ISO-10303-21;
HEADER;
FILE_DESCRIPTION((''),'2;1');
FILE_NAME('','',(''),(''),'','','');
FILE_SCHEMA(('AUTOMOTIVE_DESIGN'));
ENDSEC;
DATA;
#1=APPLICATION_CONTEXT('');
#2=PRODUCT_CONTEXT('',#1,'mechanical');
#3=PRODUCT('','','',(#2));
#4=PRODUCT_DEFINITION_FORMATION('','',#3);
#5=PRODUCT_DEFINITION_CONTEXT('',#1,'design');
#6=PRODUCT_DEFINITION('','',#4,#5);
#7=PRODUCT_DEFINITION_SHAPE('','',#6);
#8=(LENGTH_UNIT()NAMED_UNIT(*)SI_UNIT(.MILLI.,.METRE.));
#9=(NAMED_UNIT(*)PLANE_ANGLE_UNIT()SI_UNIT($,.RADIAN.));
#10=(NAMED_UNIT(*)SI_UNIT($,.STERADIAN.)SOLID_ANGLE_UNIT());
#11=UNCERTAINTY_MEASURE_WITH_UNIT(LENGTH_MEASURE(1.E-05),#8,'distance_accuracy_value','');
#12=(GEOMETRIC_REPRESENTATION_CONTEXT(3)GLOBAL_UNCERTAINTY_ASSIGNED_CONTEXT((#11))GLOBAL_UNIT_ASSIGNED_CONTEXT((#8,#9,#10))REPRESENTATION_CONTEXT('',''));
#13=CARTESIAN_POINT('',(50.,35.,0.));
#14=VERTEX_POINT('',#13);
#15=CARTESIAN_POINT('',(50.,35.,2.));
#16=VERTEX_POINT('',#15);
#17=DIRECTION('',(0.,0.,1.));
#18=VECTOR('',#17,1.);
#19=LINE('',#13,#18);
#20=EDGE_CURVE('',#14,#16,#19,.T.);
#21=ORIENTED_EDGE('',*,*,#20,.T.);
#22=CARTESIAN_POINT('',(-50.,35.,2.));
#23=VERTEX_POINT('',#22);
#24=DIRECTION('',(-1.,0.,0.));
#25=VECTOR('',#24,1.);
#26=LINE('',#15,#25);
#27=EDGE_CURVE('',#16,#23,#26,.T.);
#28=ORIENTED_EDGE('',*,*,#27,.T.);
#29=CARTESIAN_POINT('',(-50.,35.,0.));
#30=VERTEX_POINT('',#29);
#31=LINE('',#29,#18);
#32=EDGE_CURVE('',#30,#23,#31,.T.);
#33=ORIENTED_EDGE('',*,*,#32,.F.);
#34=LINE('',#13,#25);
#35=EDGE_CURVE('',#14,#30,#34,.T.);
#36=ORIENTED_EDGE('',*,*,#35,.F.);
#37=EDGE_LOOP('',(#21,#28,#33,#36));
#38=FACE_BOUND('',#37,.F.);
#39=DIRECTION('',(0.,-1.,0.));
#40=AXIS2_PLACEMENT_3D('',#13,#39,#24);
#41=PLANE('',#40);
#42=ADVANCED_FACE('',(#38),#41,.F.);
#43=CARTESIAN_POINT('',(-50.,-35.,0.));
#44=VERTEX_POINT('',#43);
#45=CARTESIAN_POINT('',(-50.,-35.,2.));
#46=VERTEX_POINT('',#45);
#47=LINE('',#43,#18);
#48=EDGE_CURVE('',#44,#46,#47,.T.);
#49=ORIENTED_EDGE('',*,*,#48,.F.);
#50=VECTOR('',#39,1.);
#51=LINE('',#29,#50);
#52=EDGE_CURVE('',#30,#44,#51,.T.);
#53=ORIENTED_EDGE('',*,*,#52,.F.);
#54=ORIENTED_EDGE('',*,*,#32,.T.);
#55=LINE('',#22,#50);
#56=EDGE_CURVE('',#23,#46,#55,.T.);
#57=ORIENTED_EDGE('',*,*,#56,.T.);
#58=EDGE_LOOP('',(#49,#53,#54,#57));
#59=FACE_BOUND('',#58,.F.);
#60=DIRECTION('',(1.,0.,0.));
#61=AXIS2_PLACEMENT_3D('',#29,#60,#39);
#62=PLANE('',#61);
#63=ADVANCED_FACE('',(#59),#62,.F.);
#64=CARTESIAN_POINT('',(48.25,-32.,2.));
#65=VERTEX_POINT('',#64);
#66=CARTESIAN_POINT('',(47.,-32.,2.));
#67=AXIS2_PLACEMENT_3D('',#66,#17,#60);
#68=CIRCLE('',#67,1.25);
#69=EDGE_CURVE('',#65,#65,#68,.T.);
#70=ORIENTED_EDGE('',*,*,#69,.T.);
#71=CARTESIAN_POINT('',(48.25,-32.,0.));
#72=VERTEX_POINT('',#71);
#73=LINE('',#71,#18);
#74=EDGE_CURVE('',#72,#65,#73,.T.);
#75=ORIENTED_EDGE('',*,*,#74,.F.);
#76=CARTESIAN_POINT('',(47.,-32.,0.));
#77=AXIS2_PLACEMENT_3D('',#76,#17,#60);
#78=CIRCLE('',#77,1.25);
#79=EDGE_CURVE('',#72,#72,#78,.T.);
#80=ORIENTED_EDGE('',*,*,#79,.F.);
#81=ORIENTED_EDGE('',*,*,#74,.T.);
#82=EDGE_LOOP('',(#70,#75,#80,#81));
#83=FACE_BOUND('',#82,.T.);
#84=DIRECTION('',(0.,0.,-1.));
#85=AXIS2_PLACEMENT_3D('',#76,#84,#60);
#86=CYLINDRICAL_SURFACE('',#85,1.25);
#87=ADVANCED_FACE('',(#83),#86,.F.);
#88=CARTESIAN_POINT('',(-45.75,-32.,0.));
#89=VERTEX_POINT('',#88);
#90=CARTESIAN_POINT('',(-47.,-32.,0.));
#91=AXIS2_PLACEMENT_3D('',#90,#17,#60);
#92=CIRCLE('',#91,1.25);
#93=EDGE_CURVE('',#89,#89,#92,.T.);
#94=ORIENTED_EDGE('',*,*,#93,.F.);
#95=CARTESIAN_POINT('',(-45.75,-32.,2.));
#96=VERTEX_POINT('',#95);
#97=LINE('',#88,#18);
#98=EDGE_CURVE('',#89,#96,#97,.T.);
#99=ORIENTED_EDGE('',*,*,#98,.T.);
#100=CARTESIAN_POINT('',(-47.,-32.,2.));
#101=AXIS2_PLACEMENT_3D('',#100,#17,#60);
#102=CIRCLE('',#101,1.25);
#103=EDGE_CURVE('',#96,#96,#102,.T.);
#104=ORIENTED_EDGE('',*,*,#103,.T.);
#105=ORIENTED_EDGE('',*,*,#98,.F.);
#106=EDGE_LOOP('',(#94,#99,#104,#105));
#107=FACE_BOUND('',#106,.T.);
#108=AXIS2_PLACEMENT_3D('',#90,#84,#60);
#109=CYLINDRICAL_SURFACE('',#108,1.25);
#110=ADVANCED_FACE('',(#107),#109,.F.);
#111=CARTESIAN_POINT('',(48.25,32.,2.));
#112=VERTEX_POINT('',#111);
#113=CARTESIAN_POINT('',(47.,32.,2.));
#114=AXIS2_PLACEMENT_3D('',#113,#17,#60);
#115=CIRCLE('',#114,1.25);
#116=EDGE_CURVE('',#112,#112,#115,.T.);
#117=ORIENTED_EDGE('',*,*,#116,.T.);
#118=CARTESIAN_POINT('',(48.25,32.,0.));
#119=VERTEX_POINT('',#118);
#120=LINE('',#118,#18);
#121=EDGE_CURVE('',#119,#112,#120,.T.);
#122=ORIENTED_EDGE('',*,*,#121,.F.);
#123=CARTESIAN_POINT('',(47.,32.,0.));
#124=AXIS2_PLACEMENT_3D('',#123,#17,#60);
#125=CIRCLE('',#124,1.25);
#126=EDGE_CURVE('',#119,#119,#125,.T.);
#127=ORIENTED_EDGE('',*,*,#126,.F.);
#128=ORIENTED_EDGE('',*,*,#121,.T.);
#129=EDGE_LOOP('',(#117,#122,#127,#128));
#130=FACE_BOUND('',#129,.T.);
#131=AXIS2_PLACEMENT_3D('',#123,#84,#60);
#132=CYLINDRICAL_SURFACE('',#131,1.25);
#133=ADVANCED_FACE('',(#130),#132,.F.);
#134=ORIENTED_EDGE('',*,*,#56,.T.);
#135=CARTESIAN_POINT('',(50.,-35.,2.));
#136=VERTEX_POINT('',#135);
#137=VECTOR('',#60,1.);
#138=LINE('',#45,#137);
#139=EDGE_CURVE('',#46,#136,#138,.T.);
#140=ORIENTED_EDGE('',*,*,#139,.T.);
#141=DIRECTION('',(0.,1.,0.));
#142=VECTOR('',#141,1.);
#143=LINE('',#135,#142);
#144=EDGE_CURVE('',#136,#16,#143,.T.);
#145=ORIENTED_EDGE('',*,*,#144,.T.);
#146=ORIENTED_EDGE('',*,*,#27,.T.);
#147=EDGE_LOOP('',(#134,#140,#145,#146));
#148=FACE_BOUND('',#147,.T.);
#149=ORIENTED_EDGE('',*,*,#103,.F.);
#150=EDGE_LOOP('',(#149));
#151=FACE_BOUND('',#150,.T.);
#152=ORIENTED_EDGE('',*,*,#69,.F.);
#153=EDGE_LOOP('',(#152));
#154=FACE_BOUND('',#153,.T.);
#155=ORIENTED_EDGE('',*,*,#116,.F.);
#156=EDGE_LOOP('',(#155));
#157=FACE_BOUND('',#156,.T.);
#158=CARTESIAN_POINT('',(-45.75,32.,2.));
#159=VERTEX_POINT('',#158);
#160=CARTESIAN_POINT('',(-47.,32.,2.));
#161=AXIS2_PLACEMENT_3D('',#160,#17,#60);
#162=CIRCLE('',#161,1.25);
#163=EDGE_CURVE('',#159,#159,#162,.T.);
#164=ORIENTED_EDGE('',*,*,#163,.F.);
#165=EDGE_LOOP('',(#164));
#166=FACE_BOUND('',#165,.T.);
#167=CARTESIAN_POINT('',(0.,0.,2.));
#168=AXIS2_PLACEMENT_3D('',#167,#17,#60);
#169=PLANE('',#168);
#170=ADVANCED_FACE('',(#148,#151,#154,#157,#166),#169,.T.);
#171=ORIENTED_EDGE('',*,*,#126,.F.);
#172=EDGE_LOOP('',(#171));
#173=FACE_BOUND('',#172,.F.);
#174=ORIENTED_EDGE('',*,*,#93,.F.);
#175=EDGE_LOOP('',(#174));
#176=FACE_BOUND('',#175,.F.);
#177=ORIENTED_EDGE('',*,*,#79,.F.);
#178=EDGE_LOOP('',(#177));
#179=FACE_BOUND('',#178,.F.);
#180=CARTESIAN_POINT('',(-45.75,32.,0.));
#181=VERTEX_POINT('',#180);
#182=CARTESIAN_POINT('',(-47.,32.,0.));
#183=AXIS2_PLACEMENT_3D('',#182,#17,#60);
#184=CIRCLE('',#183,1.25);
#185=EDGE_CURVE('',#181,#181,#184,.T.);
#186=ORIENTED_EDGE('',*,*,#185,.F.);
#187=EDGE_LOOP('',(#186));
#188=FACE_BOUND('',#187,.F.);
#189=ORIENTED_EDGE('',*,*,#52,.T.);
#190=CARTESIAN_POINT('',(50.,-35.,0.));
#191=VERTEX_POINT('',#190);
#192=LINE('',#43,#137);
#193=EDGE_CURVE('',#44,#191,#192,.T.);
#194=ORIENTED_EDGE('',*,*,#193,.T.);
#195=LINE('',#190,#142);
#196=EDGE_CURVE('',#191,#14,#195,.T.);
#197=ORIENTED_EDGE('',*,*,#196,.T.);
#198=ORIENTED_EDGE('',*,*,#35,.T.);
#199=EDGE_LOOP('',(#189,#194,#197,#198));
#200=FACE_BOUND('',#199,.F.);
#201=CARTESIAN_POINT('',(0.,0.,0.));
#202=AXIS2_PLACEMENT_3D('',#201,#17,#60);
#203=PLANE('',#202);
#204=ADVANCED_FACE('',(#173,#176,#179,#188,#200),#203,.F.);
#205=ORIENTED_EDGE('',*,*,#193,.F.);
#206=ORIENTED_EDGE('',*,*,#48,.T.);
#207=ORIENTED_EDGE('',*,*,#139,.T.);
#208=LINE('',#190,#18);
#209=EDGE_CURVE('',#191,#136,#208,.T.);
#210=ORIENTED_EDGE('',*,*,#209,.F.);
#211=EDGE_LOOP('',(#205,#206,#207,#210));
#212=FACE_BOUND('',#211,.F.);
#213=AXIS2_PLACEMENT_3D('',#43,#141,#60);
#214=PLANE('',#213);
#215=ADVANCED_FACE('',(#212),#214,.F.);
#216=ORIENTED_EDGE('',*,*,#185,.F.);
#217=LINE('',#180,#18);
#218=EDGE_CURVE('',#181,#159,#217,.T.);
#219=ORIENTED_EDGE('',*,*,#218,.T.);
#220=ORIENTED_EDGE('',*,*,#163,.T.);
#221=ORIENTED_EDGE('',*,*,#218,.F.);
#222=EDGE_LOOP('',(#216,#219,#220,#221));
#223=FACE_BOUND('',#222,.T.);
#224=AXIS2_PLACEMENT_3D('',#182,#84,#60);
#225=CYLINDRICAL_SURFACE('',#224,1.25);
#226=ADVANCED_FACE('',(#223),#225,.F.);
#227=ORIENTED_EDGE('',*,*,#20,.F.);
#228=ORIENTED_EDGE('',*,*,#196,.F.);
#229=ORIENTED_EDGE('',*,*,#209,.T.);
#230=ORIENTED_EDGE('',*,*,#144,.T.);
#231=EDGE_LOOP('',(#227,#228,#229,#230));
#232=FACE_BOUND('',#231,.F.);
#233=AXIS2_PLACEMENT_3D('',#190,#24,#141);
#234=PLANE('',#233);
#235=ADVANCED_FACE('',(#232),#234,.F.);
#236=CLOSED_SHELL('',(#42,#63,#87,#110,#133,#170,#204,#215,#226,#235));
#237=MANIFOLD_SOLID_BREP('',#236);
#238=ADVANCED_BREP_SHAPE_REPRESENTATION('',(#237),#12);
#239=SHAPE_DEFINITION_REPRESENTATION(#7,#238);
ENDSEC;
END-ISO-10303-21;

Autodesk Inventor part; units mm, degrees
ref_plane "YZ Plane" through (0, 0, 0) normal (1, 0, 0) x (0, 1, 0)
ref_plane "XZ Plane" through (0, 0, 0) normal (0, 1, 0) x (-1, 0, 0)
ref_plane "XY Plane" through (0, 0, 0) normal (0, 0, 1) x (1, 0, 0)
sketch "Sketch1" plane through (0, 0, 0) normal (0, 0, 1) x (1, 0, 0)
  line L0 (-50, -35) -> (50, -35)
  line L1 (50, -35) -> (50, 35)
  line L2 (50, 35) -> (-50, 35)
  line L3 (-50, 35) -> (-50, -35)
  line L4 (-50, -35) -> (50, 35) construction
  line L5 (50, -35) -> (-50, 35) construction
  line L6 (47, -32) -> (-47, -32) construction
  line L7 (-47, -32) -> (-47, 32) construction
  line L8 (-47, 32) -> (47, 32) construction
  line L9 (47, 32) -> (47, -32) construction
  line L10 (47, -32) -> (-47, 32) construction
  line L11 (-47, -32) -> (47, 32) construction
  circle A0 centre (-47, 32) radius 1.25
  circle A1 centre (-47, -32) radius 1.25
  circle A2 centre (47, -32) radius 1.25
  circle A3 centre (47, 32) radius 1.25
  point P0 (0, 0)
  dimension "d0" = 100
  dimension "d1" = 70
  dimension "d4" = 64
  dimension "d5" = 94
  dimension "d6" = 2.5
extrude "Extrusion1" add sketch "Sketch1" along normal blind 2
properties part number "Motherboard"
